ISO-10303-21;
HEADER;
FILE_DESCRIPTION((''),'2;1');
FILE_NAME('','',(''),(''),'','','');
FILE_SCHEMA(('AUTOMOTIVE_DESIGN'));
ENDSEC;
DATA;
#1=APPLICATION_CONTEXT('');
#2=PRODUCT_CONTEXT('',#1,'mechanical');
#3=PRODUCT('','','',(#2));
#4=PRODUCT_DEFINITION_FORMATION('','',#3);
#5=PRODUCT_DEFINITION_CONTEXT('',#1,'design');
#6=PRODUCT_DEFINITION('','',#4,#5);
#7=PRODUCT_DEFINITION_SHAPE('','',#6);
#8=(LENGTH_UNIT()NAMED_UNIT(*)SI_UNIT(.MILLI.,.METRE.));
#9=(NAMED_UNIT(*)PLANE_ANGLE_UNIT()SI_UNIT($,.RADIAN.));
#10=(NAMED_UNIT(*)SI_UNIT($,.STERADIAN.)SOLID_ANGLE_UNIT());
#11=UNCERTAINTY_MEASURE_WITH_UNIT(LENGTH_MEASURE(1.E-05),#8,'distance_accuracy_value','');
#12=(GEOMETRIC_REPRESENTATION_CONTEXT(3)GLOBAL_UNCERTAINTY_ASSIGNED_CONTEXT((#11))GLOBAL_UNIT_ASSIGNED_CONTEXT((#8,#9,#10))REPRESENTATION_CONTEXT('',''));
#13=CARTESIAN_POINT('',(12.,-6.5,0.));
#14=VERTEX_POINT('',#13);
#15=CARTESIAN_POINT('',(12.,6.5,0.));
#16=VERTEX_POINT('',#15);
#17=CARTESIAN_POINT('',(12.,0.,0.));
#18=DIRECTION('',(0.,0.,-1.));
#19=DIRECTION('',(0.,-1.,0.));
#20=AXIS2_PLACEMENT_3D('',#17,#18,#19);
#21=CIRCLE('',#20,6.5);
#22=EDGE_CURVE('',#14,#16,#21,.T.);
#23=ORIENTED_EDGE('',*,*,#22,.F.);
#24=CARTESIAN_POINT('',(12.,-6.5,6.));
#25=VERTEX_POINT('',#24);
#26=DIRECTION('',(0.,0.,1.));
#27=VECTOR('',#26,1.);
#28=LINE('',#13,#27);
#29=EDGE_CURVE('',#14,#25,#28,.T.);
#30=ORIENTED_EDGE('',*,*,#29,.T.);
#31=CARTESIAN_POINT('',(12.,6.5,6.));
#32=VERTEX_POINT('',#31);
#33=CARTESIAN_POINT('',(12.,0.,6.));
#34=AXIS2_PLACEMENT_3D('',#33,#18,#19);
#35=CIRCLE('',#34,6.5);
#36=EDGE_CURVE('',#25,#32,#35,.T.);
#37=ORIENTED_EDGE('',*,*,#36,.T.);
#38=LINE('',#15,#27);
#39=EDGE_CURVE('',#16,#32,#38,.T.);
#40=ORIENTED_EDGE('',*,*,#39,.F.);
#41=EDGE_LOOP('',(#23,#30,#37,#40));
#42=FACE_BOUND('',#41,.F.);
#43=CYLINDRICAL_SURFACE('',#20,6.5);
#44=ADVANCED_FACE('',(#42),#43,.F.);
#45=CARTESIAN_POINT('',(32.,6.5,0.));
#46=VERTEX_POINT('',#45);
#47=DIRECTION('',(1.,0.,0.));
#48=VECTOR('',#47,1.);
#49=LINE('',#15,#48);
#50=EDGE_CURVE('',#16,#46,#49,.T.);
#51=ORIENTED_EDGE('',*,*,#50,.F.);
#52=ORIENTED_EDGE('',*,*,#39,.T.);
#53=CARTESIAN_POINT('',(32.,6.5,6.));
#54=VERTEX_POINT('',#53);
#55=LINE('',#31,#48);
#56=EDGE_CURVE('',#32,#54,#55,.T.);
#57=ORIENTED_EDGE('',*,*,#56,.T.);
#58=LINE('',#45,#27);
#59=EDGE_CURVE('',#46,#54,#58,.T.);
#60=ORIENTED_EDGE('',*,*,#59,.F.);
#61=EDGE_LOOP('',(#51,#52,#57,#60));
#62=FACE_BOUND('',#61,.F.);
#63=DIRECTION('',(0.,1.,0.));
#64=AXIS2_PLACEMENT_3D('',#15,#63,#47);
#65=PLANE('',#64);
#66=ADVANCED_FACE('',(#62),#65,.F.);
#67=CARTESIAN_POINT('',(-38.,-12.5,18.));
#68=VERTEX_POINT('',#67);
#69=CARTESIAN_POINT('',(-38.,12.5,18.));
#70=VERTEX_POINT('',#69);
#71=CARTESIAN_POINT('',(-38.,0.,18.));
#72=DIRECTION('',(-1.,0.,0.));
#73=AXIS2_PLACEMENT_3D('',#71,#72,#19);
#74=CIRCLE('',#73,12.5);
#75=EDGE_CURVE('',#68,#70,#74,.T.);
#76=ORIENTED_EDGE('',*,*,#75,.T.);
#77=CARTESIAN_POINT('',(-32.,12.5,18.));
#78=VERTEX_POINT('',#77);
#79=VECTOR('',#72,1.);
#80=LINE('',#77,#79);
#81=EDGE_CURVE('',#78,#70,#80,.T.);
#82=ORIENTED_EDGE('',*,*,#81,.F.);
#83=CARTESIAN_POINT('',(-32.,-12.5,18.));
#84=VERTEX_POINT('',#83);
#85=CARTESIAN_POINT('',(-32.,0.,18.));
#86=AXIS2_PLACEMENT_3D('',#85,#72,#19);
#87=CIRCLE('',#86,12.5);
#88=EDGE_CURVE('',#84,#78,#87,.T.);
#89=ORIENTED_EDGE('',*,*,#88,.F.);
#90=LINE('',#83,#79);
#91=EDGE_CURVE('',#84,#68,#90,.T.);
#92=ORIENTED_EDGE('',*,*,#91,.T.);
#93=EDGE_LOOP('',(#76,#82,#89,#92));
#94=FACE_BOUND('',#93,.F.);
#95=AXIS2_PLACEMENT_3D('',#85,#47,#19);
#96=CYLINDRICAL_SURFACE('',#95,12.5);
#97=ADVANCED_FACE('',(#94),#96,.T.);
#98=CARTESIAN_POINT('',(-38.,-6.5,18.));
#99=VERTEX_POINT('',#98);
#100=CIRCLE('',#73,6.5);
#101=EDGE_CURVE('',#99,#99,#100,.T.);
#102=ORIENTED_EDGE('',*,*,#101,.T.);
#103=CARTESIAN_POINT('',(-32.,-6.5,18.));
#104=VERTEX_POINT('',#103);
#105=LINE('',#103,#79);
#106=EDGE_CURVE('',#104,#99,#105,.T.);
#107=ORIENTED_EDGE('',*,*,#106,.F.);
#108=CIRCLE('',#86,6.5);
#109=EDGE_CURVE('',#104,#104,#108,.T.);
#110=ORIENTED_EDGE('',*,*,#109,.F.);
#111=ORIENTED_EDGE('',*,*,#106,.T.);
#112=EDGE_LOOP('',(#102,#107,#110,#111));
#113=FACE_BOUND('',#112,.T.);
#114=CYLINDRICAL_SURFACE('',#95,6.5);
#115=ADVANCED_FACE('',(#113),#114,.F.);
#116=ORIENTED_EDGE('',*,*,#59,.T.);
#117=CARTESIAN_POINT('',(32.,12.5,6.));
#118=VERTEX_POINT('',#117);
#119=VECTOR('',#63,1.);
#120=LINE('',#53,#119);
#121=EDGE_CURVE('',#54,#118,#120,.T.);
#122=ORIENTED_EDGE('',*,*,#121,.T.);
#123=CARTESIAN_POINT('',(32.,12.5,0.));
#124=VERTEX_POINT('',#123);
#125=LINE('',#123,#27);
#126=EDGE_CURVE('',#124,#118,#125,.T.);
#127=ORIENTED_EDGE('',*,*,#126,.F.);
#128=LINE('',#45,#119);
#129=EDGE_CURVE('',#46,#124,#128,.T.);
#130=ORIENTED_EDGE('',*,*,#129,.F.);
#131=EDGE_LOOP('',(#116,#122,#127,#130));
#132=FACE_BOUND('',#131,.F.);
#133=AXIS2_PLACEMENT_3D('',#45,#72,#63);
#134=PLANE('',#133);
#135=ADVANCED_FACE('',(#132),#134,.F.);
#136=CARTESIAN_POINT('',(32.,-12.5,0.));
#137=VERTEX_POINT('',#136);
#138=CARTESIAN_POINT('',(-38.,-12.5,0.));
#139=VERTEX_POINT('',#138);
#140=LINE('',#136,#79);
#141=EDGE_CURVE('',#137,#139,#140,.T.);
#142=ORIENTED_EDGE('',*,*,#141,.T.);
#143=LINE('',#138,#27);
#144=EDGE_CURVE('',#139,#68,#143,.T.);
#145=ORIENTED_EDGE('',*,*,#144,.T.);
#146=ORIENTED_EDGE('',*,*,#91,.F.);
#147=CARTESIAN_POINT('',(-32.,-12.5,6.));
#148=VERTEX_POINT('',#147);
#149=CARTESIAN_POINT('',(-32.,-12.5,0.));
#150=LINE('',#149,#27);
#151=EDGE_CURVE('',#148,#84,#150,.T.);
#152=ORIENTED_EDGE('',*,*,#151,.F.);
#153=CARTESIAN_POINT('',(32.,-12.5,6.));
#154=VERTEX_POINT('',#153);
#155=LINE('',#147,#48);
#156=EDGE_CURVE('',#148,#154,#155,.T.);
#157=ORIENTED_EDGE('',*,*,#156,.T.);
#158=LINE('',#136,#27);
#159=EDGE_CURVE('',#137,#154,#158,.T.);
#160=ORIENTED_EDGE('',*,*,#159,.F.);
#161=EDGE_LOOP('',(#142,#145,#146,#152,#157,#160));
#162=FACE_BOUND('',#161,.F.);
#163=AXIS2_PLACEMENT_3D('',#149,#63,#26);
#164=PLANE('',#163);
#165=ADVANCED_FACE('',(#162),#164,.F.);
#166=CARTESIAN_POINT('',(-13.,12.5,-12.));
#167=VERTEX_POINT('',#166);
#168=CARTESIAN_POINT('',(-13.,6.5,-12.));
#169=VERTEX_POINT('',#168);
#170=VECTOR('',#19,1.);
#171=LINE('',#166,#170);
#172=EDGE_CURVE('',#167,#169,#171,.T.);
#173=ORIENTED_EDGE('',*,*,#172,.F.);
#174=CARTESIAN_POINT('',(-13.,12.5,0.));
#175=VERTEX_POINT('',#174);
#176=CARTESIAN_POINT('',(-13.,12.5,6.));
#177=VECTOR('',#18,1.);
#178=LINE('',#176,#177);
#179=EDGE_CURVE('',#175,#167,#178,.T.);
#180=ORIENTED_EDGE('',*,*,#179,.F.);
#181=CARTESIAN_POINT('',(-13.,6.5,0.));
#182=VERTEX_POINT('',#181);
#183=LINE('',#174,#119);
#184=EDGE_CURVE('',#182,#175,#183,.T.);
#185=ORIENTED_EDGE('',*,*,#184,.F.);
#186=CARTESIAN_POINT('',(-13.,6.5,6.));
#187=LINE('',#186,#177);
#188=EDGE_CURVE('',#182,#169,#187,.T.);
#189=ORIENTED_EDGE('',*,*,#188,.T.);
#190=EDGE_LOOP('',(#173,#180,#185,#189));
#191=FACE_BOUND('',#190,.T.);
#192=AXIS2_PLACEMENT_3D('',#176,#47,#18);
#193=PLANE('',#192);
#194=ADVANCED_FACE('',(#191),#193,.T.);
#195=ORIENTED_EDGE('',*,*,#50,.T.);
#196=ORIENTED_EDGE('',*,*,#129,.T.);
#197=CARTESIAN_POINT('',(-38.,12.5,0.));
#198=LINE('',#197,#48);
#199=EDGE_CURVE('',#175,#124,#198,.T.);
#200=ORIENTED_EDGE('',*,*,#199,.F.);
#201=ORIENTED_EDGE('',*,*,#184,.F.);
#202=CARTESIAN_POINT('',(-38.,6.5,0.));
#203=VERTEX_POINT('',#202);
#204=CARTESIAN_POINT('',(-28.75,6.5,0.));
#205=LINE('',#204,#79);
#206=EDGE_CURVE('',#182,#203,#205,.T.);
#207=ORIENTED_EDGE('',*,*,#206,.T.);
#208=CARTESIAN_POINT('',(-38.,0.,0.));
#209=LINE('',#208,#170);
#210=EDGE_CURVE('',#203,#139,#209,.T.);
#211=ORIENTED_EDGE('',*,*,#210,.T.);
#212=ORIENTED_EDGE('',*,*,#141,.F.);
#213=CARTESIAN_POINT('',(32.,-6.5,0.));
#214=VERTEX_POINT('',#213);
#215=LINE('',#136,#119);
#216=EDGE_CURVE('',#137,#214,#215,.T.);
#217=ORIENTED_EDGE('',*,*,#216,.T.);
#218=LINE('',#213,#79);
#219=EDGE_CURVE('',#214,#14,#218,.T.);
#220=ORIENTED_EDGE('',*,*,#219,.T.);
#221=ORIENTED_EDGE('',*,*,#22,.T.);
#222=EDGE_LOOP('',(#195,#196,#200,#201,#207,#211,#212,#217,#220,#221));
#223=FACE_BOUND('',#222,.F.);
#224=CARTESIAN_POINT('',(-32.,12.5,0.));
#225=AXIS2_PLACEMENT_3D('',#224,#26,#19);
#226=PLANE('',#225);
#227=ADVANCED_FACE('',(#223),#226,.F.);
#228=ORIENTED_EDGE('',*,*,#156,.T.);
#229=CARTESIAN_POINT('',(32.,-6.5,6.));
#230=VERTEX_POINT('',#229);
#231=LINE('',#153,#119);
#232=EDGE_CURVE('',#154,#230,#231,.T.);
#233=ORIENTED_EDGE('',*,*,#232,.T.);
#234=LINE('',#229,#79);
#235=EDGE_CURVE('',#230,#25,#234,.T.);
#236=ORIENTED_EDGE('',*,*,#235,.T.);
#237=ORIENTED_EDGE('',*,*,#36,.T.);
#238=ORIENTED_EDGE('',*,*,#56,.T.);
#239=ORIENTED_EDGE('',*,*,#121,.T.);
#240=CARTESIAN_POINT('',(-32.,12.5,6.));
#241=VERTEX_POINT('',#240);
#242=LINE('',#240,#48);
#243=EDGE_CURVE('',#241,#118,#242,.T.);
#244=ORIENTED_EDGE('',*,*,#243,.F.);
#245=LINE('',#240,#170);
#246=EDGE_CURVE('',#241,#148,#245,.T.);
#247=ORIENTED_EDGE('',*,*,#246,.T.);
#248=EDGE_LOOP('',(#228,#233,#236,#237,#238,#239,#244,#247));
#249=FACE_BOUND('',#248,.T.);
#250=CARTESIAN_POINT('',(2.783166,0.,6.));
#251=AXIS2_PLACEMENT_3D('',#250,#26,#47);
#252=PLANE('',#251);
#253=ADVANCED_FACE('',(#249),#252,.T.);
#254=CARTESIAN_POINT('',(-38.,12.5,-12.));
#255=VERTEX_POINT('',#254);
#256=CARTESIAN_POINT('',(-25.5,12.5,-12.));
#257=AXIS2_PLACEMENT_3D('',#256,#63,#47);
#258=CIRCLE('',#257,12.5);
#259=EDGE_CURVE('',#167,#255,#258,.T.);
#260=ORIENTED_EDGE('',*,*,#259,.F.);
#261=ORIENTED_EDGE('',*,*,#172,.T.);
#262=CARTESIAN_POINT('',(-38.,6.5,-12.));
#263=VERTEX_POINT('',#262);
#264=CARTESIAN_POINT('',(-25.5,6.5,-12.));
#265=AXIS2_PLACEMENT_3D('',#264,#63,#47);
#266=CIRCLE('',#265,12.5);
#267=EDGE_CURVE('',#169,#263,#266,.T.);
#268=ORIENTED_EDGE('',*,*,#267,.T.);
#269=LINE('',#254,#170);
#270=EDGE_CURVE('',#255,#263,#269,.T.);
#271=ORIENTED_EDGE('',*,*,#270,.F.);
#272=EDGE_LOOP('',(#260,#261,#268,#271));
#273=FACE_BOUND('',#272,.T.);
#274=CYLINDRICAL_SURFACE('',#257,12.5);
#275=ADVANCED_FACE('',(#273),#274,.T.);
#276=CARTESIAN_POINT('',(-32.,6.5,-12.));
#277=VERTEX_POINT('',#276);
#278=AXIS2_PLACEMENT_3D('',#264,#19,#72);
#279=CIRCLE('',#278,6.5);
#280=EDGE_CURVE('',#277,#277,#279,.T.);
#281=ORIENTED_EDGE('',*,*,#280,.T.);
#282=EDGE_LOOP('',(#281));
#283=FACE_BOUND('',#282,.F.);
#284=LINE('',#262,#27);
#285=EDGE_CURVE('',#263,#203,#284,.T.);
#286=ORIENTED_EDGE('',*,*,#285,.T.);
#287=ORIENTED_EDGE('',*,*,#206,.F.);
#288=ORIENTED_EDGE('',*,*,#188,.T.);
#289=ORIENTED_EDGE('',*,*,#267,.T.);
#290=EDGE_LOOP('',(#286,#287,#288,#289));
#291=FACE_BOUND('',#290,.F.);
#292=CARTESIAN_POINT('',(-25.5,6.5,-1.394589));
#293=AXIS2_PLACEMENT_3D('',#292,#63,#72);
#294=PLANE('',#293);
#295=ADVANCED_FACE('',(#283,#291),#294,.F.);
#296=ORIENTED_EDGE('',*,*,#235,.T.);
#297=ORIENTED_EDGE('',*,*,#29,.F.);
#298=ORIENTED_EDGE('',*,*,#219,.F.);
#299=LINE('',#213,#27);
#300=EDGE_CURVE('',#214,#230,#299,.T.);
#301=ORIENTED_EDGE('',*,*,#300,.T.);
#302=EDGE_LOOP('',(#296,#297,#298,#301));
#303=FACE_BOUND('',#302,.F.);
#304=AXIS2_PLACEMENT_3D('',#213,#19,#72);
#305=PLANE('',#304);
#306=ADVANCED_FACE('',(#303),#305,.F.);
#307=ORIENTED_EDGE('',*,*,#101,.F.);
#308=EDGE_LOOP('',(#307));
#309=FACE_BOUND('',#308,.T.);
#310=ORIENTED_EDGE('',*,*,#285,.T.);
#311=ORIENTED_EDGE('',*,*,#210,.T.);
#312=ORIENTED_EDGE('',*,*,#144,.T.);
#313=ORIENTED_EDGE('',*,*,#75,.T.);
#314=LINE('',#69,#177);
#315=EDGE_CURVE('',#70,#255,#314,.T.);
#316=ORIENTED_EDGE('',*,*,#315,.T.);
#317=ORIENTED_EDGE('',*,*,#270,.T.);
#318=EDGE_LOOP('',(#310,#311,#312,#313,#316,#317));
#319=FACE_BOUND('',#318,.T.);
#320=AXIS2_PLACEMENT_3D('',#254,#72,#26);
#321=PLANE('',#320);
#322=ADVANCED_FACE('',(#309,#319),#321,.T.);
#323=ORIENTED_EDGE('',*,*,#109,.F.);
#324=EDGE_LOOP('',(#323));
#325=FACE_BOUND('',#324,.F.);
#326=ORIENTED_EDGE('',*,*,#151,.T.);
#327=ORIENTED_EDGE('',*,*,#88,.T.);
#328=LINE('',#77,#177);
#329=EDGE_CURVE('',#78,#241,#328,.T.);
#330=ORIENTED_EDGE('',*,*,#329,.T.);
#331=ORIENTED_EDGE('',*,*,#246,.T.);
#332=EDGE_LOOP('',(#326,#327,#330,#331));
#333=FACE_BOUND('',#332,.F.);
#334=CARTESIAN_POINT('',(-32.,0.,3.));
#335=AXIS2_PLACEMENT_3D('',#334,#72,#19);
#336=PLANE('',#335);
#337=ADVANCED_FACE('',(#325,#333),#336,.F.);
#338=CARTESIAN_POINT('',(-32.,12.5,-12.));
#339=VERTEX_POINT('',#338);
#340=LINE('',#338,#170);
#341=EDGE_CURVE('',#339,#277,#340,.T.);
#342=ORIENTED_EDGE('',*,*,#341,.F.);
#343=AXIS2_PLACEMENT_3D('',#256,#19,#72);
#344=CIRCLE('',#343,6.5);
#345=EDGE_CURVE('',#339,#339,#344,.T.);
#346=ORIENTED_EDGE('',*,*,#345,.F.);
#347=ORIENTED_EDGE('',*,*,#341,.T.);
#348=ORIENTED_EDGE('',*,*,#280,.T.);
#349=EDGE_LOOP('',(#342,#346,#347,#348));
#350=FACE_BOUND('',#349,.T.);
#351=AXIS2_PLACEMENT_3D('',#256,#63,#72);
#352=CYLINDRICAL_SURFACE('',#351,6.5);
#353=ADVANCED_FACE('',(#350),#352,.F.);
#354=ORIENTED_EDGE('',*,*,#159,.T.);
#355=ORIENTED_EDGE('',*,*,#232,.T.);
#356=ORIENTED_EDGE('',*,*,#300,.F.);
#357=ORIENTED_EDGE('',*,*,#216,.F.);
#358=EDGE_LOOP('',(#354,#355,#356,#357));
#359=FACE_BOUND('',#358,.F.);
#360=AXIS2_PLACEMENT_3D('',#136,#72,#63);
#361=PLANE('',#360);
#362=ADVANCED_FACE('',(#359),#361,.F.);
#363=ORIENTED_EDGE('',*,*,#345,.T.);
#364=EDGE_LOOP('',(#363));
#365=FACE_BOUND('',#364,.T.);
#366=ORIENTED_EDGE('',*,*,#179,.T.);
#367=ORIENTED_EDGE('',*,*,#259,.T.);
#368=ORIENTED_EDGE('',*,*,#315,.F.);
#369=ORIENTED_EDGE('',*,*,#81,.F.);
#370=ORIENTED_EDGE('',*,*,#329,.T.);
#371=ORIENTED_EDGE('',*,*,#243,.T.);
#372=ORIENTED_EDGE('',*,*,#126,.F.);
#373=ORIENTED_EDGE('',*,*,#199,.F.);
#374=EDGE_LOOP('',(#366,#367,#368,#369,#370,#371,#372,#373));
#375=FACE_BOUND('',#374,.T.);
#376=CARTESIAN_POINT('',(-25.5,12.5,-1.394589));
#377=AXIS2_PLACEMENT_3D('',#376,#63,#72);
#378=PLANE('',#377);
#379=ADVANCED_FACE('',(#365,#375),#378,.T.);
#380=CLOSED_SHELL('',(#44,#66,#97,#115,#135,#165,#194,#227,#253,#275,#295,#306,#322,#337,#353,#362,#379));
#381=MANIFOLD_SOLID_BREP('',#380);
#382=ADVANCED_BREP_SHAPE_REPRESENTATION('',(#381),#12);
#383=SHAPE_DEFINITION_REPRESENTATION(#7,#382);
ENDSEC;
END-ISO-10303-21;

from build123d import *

# Parameters (mm, degrees)
F1_DEPTH = 6
F2_W     = 25
F2_H     = 6
F2_R     = 6.5
F3_DEPTH = 6
F5_DEPTH = 6


with BuildPart() as f1:
    # F0 (on Top) → F1 (new body)
    with BuildSketch(Plane.XY):
        with BuildLine():
            Line((32, 6.5), (32, 12.5))
            Line((32, 12.5), (-32, 12.5))
            Line((-32, 12.5), (-32, -12.5))
            Line((-32, -12.5), (32, -12.5))
            Line((32, -12.5), (32, -6.5))
            Line((32, -6.5), (12, -6.5))
            ThreePointArc((12, -6.5), (5.5, 0), (12, 6.5))
            Line((12, 6.5), (32, 6.5))
        make_face()
    extrude(amount=F1_DEPTH)

    # F2 (on face) → F3 (join)
    with BuildSketch(Plane(origin=(-32, 0, 0), x_dir=(0, -1, 0), z_dir=(-1, 0, 0))):
        with Locations((0, 3)):
            Rectangle(F2_W, F2_H)
        with BuildLine():
            Line((-12.5, 18), (-12.5, 6))
            Line((-12.5, 6), (12.5, 6))
            Line((12.5, 6), (12.5, 18))
            ThreePointArc((12.5, 18), (0, 30.5), (-12.5, 18))
        make_face()
        with Locations((0, 18)):
            Circle(F2_R, mode=Mode.SUBTRACT)
    extrude(amount=F3_DEPTH)

    # F4 (on face) → F5 (join)
    with BuildSketch(Plane(origin=(0, 12.5, 0), x_dir=(-1, 0, 0), z_dir=(0, 1, 0))):
        with BuildLine():
            Line((38, -12), (38, 6))
            Line((38, 6), (13, 6))
            Line((13, 6), (13, -12))
            ThreePointArc((13, -12), (25.5, 0.5), (38, -12))
        make_face()
        with BuildLine():
            ThreePointArc((13, -12), (25.5, -24.5), (38, -12))
            Line((38, -12), (32, -12))
            ThreePointArc((32, -12), (25.5, -18.5), (19, -12))
            Line((19, -12), (13, -12))
        make_face()
        with BuildLine():
            Line((32, -12), (38, -12))
            ThreePointArc((38, -12), (25.5, 0.5), (13, -12))
            Line((13, -12), (19, -12))
            ThreePointArc((19, -12), (25.5, -5.5), (32, -12))
        make_face()
    extrude(amount=-F5_DEPTH)


solid = f1.part
